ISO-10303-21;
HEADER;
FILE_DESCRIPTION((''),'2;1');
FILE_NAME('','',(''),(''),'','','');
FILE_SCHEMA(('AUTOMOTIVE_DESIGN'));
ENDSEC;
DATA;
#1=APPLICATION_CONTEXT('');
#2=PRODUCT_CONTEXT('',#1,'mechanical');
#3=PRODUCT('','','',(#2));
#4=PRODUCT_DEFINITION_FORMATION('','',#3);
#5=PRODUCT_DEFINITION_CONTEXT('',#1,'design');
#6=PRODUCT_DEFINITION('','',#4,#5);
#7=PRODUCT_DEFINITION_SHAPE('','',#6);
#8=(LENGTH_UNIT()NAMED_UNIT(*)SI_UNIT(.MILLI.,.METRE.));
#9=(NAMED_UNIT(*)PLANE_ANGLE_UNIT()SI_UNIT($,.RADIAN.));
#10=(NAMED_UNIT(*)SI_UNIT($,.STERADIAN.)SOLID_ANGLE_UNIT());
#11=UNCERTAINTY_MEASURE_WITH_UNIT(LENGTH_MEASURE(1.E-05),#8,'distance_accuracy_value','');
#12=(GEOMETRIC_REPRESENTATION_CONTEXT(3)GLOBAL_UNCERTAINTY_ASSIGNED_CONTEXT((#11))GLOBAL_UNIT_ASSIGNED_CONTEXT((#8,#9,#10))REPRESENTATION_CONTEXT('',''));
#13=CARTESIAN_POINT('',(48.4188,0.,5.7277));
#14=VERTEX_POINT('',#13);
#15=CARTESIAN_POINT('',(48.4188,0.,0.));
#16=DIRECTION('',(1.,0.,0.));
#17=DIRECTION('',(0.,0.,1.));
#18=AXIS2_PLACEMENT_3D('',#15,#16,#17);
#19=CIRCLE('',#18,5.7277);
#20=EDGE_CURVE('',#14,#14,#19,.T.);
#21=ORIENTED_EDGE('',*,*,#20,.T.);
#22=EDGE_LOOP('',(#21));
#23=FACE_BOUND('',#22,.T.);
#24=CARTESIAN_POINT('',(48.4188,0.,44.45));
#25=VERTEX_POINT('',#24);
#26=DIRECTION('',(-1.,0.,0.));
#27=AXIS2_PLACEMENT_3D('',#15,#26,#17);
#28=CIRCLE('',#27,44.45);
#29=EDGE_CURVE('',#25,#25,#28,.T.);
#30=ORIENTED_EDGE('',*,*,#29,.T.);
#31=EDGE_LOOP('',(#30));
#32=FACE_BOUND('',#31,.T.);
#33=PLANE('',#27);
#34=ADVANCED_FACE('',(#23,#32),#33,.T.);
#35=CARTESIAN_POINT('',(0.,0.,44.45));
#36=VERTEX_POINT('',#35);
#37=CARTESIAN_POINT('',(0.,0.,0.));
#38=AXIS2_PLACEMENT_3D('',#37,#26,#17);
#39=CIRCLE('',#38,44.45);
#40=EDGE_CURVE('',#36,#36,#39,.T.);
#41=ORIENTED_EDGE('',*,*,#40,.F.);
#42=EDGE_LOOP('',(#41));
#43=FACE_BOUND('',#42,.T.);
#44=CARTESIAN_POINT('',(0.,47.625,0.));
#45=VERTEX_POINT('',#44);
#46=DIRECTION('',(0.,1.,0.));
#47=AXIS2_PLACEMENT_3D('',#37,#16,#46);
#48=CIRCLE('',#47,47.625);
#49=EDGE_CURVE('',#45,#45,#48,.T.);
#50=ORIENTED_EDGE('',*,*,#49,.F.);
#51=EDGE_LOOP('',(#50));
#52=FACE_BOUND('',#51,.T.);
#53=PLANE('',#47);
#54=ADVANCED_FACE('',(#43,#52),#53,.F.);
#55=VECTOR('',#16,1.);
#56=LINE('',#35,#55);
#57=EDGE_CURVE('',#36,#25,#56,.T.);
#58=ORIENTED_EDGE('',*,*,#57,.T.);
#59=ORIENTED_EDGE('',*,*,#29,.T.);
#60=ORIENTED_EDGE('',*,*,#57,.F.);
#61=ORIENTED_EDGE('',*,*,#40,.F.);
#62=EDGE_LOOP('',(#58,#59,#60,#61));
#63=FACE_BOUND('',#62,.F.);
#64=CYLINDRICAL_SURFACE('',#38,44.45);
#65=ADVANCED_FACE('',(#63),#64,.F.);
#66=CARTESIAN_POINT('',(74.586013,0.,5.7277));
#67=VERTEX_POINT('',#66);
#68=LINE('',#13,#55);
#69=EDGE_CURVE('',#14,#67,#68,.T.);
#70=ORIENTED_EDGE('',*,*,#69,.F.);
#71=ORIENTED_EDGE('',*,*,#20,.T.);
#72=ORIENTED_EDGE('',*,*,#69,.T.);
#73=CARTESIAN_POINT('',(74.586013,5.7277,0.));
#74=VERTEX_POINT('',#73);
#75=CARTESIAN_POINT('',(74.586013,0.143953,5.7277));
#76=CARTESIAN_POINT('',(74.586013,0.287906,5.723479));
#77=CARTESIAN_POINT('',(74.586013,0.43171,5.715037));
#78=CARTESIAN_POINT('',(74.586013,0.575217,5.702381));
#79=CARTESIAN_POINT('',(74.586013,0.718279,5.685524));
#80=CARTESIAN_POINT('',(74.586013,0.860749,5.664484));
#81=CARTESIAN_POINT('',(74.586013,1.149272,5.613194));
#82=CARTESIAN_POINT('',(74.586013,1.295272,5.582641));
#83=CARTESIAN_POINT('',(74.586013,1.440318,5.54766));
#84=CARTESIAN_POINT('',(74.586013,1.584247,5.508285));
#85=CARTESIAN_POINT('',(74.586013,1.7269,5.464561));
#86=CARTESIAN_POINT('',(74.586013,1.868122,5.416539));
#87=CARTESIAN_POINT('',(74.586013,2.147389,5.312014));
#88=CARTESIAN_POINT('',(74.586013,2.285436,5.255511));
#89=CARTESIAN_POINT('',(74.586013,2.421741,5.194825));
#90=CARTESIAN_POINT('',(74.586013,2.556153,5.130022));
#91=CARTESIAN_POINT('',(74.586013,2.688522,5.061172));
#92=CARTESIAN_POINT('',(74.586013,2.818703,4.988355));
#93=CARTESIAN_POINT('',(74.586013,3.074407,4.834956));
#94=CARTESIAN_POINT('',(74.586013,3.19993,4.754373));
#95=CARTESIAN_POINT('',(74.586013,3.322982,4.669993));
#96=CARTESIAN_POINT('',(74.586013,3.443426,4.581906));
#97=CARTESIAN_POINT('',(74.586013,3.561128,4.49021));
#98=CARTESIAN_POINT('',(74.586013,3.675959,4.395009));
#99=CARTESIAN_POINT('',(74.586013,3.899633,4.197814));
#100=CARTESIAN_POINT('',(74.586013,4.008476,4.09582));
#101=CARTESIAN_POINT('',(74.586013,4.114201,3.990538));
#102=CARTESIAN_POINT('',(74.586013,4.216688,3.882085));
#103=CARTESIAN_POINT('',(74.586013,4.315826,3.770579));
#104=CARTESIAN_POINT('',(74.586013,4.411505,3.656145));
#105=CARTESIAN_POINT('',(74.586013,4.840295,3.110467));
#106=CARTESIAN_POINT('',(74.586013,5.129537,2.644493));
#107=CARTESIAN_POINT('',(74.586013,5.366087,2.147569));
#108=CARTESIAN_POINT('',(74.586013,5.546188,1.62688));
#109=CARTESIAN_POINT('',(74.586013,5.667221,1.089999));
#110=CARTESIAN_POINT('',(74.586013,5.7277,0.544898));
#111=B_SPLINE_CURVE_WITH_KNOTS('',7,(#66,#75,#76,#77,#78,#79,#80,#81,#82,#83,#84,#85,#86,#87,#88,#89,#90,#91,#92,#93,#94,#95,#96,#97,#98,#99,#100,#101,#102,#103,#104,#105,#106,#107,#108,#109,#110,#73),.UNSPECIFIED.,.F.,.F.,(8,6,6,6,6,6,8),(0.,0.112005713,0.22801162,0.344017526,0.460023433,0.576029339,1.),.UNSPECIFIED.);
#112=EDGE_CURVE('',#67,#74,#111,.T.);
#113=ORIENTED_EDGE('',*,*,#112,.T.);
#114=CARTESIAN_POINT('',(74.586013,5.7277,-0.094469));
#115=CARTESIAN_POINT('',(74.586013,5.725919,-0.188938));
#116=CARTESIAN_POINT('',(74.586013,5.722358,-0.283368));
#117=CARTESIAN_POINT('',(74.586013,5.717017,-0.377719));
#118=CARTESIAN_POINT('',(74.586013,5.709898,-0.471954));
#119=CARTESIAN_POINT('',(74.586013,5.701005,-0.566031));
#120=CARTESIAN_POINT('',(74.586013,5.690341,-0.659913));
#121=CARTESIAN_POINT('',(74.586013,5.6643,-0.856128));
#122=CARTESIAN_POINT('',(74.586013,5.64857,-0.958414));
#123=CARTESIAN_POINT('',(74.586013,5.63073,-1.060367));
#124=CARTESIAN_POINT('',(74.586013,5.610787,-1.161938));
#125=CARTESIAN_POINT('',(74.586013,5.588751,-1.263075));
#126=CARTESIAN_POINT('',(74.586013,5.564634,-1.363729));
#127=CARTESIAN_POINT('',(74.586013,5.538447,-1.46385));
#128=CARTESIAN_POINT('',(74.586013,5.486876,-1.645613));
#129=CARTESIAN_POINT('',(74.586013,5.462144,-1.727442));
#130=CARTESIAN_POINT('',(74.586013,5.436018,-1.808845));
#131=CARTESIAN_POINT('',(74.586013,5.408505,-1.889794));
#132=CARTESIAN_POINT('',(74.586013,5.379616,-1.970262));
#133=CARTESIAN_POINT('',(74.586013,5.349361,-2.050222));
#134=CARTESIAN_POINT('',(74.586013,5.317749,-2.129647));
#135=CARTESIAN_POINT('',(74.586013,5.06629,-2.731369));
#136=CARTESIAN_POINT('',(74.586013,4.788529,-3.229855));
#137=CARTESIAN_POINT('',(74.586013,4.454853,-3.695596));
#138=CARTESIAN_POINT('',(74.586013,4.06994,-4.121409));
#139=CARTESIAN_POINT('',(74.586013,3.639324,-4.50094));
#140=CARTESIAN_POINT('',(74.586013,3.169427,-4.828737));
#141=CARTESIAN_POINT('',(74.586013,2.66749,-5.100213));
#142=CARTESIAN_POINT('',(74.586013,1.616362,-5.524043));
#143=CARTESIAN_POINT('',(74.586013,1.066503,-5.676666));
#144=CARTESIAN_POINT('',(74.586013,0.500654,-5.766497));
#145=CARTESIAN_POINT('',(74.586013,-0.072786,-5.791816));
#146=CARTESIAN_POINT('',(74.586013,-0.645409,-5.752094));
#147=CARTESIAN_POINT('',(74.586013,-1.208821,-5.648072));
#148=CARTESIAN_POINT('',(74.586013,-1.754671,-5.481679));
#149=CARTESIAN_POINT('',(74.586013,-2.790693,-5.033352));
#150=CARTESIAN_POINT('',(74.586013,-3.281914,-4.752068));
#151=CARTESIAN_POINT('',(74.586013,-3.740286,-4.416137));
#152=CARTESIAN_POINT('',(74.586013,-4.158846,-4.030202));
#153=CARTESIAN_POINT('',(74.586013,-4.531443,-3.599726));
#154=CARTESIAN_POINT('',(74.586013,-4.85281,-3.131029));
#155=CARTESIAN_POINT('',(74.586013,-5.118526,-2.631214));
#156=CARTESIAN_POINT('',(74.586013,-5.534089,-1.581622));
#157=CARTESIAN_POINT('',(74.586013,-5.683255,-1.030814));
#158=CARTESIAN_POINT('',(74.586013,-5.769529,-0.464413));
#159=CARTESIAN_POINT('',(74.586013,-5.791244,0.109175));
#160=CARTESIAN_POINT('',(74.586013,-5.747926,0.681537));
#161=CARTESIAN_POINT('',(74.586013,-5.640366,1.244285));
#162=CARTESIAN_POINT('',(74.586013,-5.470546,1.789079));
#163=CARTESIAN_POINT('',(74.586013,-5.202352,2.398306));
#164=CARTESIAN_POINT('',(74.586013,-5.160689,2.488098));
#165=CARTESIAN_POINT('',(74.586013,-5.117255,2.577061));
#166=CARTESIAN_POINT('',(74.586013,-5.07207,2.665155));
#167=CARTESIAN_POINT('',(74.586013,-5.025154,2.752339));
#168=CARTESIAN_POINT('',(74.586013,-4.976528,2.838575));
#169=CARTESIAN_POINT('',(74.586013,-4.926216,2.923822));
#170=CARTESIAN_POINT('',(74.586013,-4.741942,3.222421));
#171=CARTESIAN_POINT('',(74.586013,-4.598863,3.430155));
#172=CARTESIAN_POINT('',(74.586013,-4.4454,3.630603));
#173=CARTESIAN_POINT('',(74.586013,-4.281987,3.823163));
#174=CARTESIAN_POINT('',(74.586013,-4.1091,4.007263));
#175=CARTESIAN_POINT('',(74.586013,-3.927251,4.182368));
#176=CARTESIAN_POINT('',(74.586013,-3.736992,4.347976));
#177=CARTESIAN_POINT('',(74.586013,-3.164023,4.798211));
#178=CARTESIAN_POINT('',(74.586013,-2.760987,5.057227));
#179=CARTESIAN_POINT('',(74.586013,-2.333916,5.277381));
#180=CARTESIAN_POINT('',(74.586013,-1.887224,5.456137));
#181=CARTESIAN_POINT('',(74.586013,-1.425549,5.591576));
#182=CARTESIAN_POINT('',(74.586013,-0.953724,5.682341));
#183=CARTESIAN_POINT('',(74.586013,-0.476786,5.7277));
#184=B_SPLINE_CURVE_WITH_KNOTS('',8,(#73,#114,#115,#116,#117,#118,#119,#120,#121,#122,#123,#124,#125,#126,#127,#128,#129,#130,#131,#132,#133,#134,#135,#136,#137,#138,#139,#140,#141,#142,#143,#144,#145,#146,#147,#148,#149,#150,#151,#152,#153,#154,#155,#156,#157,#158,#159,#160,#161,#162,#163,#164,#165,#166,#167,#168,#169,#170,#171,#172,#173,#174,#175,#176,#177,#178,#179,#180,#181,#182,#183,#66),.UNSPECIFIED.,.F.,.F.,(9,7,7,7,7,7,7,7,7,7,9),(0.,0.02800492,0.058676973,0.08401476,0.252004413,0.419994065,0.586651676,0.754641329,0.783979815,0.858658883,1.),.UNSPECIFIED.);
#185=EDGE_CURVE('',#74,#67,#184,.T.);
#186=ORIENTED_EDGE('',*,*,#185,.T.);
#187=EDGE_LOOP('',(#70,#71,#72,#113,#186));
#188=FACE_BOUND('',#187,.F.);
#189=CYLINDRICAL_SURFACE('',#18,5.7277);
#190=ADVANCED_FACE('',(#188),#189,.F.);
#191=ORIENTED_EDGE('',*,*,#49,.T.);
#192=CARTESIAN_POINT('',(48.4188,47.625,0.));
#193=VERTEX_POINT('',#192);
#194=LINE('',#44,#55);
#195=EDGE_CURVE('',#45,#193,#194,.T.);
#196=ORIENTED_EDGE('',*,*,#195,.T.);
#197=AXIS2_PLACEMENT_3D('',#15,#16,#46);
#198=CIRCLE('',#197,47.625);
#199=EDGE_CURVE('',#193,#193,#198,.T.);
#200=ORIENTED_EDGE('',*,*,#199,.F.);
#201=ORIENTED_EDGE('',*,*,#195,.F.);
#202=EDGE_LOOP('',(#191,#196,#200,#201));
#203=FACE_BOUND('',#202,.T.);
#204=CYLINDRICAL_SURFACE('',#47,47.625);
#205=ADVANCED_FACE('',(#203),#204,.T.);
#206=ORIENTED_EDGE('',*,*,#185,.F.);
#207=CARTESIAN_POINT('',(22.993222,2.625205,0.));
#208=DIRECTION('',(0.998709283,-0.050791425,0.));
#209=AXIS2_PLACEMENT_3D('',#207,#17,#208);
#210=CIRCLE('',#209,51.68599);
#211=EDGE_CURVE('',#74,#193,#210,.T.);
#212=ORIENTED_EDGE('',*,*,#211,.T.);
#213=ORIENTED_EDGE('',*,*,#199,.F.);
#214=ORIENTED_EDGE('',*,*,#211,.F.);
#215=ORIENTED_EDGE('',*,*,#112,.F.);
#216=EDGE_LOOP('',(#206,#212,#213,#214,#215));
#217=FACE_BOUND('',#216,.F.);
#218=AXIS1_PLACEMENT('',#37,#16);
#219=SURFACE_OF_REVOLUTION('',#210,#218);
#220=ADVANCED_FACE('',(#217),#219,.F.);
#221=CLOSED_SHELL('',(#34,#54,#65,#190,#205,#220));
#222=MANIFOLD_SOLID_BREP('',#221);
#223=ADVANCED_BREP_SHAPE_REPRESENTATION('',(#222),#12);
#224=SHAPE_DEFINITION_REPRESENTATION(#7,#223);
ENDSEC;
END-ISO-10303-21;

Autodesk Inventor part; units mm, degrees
ref_plane "YZ Plane" through (0, 0, 0) normal (1, 0, 0) x (0, 1, 0)
ref_plane "XZ Plane" through (0, 0, 0) normal (0, 1, 0) x (-1, 0, 0)
ref_plane "XY Plane" through (0, 0, 0) normal (0, 0, 1) x (1, 0, 0)
sketch "Sketch1" plane through (0, 0, 0) normal (0, 0, 1) x (1, 0, 0)
  line L0 (0, 0) -> (0, 47.625)
  line L1 (0, 47.625) -> (48.4188, 47.625)
  line L2 (0, 0) -> (74.6125, 0)
  arc A0 (74.6125, 0) -> (48.4188, 47.625) centre (22.9932, 2.6252) ccw
  dimension "d0" = 47.625
  dimension "d1" = 48.4188
revolve "Revolution1" add sketch "Sketch1" angle 360 about axis through (0, 0, 0) along (1, 0, 0)
sketch "Sketch2" plane through (0, 0, 0) normal (-1, 0, 0) x (0, 0, 1)
  circle A0 centre (0, 0) radius 44.45
  dimension "d4" = 88.9
extrude "Extrusion1" cut sketch "Sketch2" against normal blind 48.4188
sketch "Sketch3" plane through (48.4188, 0, 0) normal (-1, 0, 0) x (0, 0, 1)
  circle A0 centre (0, 0) radius 3.175
  dimension "d7" = 6.35
hole "Hole1" at (48.4188, 0, 0) direction (1, 0, 0) diameter 11.4554 end through all
properties part number "3inCAPV1"
